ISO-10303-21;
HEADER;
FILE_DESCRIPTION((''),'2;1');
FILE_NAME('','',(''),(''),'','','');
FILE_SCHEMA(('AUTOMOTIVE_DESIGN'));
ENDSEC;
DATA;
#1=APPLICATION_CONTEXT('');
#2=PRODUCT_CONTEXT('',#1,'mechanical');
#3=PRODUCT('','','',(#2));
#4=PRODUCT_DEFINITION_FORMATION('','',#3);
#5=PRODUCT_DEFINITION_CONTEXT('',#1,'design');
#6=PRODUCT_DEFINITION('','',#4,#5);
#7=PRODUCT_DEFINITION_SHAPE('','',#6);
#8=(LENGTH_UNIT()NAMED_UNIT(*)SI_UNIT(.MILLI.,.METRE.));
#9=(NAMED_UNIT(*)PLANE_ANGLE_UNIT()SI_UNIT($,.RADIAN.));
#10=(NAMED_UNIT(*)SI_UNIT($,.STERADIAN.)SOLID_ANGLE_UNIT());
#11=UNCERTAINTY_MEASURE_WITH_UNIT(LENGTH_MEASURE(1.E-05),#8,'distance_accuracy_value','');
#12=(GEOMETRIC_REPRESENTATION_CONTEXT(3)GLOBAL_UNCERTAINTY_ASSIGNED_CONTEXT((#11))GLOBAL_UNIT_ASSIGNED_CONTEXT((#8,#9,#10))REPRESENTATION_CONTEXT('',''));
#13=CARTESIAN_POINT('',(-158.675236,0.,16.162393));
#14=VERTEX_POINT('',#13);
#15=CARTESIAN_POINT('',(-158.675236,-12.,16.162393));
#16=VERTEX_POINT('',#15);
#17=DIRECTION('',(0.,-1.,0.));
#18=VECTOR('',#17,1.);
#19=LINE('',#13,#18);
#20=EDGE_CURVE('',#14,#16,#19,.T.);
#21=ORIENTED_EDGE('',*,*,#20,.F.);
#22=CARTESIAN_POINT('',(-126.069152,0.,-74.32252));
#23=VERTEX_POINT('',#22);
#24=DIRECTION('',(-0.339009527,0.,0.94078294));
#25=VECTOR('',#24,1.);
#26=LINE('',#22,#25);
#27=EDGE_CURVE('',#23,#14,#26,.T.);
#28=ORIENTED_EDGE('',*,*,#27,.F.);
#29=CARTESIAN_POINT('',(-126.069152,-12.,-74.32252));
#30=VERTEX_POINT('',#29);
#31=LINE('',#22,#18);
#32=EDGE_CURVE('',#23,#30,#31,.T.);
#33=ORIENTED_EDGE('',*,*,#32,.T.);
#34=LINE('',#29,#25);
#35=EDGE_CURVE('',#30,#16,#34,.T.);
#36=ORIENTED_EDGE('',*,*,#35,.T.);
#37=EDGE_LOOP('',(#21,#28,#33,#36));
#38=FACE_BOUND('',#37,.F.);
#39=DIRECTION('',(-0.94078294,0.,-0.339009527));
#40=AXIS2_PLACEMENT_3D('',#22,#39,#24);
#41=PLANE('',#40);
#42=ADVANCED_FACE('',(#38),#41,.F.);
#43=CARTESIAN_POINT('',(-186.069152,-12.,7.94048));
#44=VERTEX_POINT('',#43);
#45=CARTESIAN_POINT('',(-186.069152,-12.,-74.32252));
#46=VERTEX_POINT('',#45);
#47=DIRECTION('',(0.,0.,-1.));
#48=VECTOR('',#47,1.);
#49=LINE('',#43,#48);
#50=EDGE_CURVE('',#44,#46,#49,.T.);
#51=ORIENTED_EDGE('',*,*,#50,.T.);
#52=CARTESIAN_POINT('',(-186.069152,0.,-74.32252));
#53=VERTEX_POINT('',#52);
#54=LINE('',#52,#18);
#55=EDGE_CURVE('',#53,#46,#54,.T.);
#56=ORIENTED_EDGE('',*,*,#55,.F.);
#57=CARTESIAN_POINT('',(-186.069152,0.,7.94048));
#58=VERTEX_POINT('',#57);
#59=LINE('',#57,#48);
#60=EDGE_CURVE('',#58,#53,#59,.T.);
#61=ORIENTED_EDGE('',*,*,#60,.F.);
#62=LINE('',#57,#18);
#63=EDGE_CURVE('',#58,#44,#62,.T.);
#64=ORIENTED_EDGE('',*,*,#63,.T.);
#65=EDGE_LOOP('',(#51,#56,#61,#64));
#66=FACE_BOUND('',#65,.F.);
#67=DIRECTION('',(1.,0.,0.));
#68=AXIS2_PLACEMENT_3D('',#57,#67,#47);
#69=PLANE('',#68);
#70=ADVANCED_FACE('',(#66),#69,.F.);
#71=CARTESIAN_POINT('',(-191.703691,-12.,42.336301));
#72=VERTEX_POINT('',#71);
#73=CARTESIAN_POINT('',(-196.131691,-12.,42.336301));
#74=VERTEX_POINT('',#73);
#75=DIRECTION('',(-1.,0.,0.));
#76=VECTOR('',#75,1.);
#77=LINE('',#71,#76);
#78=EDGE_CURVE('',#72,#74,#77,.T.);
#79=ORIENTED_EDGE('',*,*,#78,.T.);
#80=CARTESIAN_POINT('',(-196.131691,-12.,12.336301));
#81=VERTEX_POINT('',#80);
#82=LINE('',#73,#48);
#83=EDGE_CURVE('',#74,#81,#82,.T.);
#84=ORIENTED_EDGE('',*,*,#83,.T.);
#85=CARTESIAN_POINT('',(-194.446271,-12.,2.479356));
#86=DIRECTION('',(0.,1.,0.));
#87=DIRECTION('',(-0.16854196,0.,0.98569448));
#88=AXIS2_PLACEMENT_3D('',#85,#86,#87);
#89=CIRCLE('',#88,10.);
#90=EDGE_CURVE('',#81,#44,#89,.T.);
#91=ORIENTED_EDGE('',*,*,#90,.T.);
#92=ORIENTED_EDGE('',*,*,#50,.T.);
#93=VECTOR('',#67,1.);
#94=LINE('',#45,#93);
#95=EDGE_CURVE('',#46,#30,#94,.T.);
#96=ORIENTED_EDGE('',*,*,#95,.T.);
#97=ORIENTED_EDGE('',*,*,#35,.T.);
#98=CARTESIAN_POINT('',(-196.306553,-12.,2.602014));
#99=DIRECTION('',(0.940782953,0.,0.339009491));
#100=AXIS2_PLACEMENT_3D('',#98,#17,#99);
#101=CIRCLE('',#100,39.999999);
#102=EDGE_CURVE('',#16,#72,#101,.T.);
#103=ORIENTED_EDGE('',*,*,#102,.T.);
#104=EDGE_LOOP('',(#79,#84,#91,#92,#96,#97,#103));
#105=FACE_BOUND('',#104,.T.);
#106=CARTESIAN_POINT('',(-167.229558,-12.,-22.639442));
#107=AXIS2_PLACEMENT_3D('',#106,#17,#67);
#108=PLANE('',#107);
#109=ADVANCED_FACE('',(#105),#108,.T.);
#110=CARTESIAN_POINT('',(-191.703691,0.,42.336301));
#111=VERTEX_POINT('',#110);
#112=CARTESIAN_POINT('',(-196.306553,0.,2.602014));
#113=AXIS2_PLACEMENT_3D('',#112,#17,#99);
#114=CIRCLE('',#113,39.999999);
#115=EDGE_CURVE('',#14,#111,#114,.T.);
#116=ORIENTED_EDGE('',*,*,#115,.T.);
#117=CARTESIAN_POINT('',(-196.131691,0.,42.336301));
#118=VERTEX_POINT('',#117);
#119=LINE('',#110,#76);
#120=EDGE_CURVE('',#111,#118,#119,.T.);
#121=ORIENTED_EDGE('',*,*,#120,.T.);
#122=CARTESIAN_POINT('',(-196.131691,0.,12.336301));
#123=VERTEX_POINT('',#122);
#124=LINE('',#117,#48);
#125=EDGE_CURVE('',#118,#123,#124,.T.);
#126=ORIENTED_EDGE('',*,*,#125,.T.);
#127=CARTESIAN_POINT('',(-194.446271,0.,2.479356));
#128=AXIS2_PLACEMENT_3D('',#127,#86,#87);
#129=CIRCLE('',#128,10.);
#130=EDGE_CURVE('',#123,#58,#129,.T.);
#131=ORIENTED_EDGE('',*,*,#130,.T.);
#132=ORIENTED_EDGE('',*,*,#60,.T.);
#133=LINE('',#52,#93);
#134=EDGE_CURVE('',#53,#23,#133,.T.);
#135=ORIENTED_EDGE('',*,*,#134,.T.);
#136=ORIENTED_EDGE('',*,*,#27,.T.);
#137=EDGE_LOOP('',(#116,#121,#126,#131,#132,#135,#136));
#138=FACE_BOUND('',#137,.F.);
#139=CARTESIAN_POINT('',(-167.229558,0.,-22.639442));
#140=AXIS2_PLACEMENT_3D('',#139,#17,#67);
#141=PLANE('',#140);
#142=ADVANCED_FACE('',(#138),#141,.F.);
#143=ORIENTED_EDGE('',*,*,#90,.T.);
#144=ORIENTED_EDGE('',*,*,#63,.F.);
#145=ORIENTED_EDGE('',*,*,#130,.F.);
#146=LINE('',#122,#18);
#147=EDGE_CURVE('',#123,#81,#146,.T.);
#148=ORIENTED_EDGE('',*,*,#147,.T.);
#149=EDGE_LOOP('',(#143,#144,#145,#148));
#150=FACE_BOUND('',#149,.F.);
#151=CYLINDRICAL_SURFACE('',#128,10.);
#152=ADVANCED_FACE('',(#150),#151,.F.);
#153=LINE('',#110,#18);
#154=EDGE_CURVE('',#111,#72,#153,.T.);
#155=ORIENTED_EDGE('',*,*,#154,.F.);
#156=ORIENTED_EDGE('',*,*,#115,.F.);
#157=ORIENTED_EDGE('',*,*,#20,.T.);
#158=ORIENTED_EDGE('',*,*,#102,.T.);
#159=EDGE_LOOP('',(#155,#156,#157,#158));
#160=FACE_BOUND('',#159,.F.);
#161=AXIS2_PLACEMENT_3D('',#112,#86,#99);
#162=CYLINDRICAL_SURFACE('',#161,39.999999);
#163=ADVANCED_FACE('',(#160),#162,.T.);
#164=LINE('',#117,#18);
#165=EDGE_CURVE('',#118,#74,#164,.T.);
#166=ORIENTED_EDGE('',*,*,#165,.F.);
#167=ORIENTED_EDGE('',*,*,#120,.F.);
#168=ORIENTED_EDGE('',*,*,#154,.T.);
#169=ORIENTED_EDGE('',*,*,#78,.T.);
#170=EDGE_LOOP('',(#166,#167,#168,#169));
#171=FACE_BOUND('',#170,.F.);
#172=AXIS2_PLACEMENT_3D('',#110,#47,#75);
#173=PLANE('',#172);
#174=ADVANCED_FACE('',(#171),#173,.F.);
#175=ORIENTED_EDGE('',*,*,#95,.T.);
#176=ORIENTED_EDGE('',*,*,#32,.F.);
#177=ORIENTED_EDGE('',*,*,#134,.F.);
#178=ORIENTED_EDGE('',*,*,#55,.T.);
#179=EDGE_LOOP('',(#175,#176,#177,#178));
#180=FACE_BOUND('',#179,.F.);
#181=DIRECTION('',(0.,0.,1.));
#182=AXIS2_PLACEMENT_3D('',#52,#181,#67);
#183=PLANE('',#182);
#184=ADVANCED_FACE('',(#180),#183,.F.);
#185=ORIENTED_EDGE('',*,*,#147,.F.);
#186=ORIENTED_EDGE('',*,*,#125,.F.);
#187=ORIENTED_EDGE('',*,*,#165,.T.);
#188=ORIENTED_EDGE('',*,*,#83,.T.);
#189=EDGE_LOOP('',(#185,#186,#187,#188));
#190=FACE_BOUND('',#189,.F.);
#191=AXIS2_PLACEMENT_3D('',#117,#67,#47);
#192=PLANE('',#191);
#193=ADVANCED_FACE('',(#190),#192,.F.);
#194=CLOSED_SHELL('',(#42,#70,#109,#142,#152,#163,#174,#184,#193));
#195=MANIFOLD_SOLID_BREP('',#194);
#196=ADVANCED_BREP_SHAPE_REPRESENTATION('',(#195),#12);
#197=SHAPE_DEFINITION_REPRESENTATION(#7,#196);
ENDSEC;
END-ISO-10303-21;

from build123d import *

# Parameters (mm, degrees)
F1_DEPTH = 12


with BuildPart() as f1:
    # F0 (on Front) → F1 (new body)
    with BuildSketch(Plane.XZ):
        with BuildLine():
            Line((-186.069152, -74.32252), (-126.069152, -74.32252))
            Line((-126.069152, -74.32252), (-158.675236, 16.162393))
            ThreePointArc((-158.675236, 16.162393), (-171.463046, 33.951656), (-191.703691, 42.336301))
            Line((-191.703691, 42.336301), (-196.131691, 42.336301))
            Line((-196.131691, 42.336301), (-196.131691, 12.336301))
            ThreePointArc((-196.131691, 12.336301), (-190.443082, 11.643115), (-186.069152, 7.94048))
            Line((-186.069152, 7.94048), (-186.069152, -74.32252))
        make_face()
    extrude(amount=F1_DEPTH)


solid = f1.part
